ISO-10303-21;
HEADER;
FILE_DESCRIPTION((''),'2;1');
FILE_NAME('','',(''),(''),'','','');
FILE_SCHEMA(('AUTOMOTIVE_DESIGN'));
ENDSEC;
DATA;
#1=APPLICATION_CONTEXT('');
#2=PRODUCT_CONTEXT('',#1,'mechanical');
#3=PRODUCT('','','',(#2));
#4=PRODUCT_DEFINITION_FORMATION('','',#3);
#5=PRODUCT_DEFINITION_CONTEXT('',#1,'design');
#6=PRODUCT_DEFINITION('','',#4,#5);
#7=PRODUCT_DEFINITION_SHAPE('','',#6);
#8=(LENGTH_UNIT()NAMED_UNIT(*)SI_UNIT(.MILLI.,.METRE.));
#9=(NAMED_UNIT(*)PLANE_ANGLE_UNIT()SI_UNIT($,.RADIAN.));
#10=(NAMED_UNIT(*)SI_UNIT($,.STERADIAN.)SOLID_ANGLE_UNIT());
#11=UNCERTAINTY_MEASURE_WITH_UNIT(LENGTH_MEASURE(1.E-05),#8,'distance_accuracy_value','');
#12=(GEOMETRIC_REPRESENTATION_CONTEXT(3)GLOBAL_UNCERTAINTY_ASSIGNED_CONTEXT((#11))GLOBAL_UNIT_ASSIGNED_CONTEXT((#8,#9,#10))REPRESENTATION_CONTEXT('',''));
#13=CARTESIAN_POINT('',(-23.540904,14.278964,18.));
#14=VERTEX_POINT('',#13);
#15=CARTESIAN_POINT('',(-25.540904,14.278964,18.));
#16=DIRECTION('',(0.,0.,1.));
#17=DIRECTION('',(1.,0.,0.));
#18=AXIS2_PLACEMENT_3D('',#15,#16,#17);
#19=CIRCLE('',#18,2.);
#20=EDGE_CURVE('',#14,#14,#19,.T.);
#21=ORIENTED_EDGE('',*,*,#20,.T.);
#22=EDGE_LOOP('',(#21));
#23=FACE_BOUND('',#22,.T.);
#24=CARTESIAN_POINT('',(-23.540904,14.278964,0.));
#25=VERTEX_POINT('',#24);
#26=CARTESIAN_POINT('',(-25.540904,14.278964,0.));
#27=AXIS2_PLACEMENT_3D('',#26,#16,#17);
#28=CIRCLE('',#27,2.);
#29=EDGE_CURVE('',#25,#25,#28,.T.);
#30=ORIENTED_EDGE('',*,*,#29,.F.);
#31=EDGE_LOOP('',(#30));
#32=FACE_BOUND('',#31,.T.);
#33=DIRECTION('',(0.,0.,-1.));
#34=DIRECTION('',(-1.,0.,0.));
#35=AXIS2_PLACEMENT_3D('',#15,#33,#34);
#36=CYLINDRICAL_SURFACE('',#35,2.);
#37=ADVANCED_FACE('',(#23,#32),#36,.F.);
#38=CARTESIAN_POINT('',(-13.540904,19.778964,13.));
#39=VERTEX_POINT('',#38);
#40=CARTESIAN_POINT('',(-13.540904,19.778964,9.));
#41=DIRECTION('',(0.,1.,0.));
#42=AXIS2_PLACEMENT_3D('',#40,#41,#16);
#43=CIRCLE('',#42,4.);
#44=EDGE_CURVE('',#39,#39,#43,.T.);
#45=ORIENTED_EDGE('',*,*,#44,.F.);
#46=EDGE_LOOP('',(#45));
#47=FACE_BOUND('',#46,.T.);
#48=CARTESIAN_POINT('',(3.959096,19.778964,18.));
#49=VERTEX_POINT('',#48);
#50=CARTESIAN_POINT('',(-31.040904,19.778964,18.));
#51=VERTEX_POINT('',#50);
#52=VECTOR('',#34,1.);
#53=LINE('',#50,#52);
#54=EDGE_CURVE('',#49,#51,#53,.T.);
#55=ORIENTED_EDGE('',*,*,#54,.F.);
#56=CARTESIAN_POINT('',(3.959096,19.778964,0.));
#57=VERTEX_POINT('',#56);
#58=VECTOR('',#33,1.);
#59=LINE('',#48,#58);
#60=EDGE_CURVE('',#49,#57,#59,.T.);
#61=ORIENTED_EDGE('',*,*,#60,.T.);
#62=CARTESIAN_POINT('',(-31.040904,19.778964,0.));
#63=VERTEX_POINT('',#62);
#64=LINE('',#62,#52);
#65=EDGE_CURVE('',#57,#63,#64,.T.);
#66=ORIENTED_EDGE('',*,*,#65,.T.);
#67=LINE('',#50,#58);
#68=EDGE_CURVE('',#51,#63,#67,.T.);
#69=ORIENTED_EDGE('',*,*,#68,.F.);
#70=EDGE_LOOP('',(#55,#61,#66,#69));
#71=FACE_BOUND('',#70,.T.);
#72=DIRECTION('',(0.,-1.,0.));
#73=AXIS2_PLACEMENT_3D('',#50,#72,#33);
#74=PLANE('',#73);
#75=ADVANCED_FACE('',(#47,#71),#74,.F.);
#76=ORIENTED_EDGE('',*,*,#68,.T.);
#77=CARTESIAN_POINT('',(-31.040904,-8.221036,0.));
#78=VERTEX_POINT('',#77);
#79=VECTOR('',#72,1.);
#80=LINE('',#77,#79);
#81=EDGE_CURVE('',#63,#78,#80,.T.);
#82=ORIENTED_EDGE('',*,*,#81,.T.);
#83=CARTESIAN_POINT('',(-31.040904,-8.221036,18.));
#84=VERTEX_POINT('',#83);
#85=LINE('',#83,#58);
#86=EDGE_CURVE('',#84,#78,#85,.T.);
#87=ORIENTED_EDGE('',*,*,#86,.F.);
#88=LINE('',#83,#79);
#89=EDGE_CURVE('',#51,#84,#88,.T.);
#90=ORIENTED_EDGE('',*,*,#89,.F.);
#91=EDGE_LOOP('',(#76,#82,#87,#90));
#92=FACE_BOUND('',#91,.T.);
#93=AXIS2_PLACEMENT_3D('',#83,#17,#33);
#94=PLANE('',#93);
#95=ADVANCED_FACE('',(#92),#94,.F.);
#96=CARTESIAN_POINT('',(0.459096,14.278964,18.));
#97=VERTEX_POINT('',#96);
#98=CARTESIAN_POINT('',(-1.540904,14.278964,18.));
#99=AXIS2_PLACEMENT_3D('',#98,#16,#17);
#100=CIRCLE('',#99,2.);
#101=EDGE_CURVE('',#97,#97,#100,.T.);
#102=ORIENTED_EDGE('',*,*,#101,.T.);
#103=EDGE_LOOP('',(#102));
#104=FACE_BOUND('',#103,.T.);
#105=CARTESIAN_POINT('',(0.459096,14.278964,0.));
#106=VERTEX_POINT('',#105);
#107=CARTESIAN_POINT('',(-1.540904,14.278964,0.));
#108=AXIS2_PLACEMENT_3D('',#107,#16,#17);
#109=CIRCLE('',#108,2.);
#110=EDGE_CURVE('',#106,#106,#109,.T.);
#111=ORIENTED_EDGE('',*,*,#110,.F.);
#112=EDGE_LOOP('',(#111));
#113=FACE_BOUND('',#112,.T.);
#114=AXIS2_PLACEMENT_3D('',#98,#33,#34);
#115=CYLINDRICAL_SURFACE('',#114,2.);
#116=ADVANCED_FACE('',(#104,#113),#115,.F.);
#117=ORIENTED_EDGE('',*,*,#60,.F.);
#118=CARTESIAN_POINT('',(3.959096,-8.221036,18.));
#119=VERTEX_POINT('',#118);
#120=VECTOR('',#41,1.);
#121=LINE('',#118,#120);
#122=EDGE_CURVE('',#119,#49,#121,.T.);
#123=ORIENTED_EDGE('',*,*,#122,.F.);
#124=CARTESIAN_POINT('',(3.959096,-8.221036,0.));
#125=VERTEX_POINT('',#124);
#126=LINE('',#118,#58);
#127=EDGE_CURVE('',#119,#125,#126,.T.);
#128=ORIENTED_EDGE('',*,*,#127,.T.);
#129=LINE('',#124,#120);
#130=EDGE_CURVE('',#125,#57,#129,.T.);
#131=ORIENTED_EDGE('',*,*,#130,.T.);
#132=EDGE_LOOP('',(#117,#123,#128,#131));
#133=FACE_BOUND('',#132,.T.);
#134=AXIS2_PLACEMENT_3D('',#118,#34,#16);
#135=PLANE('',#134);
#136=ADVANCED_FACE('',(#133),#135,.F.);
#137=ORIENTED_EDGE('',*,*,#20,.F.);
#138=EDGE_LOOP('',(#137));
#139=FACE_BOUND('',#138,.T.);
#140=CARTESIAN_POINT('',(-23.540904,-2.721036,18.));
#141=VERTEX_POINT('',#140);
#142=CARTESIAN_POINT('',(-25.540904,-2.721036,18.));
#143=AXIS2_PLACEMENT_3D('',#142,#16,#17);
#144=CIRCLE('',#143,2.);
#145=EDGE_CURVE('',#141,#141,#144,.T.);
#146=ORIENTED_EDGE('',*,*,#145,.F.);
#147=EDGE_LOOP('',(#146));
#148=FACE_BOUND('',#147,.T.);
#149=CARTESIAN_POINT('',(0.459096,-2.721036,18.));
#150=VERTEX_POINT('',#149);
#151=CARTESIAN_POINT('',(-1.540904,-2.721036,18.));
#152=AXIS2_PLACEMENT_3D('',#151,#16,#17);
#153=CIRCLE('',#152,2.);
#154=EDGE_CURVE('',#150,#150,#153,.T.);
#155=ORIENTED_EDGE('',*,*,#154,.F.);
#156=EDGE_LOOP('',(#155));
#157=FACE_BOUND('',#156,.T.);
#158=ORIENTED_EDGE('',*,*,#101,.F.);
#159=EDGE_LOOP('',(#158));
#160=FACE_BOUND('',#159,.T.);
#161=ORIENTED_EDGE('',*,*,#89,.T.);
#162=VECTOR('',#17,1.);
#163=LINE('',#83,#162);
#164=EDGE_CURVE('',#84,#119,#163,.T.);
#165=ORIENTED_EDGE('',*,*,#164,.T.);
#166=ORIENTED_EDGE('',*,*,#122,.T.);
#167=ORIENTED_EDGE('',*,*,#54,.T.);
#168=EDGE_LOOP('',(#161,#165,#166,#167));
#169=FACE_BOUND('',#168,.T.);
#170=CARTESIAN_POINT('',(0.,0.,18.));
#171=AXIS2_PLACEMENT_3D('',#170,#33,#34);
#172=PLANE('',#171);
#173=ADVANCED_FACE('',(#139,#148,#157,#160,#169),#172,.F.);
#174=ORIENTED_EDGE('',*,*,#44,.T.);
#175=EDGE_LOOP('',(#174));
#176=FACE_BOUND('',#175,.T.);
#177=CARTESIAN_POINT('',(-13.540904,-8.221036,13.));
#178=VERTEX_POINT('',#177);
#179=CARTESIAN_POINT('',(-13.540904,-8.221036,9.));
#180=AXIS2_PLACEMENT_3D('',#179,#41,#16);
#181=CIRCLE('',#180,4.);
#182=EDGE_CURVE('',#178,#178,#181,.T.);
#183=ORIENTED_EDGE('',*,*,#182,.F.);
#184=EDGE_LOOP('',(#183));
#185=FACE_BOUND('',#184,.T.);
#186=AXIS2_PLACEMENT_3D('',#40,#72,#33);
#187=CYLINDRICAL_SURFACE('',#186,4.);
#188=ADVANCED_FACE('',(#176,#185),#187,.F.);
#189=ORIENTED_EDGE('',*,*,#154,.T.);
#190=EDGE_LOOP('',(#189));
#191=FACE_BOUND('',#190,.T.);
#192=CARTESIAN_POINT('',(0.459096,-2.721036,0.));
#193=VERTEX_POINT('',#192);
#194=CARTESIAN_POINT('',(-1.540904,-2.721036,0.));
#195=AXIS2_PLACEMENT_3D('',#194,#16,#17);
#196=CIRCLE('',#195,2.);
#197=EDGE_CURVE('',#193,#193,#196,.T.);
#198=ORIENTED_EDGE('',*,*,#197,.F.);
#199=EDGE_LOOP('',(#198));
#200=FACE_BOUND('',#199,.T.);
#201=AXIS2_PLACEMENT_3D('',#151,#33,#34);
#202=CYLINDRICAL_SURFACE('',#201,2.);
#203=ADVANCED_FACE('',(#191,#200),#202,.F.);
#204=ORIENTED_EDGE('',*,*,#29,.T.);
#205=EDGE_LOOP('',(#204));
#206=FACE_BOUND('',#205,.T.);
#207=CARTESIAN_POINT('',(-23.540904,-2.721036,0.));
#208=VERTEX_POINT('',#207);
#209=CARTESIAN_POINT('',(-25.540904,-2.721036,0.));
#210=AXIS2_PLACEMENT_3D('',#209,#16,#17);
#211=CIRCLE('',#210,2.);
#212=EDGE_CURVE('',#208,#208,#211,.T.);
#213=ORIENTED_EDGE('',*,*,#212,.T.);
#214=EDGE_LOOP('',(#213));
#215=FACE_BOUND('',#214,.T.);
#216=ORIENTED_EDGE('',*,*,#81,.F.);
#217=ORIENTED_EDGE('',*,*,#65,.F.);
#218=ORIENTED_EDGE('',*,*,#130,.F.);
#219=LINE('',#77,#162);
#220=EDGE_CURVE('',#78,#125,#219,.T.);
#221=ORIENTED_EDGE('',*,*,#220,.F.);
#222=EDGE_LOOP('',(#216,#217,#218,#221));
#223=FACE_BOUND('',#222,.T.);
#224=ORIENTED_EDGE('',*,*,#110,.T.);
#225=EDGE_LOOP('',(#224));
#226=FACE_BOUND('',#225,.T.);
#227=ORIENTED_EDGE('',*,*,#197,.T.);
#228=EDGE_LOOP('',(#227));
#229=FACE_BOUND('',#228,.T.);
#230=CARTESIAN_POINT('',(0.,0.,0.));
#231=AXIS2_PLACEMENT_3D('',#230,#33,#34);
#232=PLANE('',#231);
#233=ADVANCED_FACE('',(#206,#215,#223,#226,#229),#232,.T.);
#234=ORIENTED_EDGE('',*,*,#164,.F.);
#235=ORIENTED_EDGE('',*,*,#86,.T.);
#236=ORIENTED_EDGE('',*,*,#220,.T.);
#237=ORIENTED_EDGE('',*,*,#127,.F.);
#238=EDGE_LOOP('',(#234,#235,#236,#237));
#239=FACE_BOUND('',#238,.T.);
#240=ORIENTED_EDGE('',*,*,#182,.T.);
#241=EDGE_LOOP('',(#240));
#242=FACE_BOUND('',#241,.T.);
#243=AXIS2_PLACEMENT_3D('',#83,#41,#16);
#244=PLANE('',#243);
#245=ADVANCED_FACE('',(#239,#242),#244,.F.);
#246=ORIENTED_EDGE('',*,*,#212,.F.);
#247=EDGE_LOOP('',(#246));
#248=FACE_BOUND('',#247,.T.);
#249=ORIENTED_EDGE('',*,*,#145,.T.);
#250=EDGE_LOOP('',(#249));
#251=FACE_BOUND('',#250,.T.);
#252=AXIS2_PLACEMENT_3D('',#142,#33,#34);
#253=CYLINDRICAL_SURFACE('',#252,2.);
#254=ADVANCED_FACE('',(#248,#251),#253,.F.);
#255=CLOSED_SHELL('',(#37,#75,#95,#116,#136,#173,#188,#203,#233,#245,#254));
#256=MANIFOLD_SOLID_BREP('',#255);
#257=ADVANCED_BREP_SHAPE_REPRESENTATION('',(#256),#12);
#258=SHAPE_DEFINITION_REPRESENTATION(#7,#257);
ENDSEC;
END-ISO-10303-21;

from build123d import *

# Parameters (mm, degrees)
SKETCH1_W           = 35
SKETCH1_H           = 28
SKETCH1_R           = 2
BOSS_EXTRUDE1_DEPTH = 18
SKETCH2_R           = 4
CUT_EXTRUDE1_DEPTH  = 43.721340305


with BuildPart() as part:
    # Sketch1 → Boss-Extrude1 (new body)
    with BuildSketch(Plane.XY):
        with Locations((-13.540903953, 5.778964085)):
            Rectangle(SKETCH1_W, SKETCH1_H)
        with Locations((-25.540903953, 14.278964085)):
            Circle(SKETCH1_R, mode=Mode.SUBTRACT)
        with Locations((-1.540903953, 14.278964085)):
            Circle(SKETCH1_R, mode=Mode.SUBTRACT)
        with Locations((-25.540903953, -2.721035915)):
            Circle(SKETCH1_R, mode=Mode.SUBTRACT)
        with Locations((-1.540903953, -2.721035915)):
            Circle(SKETCH1_R, mode=Mode.SUBTRACT)
    extrude(amount=BOSS_EXTRUDE1_DEPTH)

    # Sketch2 → Cut-Extrude1 (cut, through all)
    with BuildSketch(Plane(origin=(-4.261939868, -8.221035915, 0), x_dir=(0, 0, -1), z_dir=(0, 1, 0))):
        with Locations(Location((-9, 9.278964085, 0), (0, 0, 180))):
            Circle(SKETCH2_R)
    extrude(amount=CUT_EXTRUDE1_DEPTH, mode=Mode.SUBTRACT)


solid = part.part
